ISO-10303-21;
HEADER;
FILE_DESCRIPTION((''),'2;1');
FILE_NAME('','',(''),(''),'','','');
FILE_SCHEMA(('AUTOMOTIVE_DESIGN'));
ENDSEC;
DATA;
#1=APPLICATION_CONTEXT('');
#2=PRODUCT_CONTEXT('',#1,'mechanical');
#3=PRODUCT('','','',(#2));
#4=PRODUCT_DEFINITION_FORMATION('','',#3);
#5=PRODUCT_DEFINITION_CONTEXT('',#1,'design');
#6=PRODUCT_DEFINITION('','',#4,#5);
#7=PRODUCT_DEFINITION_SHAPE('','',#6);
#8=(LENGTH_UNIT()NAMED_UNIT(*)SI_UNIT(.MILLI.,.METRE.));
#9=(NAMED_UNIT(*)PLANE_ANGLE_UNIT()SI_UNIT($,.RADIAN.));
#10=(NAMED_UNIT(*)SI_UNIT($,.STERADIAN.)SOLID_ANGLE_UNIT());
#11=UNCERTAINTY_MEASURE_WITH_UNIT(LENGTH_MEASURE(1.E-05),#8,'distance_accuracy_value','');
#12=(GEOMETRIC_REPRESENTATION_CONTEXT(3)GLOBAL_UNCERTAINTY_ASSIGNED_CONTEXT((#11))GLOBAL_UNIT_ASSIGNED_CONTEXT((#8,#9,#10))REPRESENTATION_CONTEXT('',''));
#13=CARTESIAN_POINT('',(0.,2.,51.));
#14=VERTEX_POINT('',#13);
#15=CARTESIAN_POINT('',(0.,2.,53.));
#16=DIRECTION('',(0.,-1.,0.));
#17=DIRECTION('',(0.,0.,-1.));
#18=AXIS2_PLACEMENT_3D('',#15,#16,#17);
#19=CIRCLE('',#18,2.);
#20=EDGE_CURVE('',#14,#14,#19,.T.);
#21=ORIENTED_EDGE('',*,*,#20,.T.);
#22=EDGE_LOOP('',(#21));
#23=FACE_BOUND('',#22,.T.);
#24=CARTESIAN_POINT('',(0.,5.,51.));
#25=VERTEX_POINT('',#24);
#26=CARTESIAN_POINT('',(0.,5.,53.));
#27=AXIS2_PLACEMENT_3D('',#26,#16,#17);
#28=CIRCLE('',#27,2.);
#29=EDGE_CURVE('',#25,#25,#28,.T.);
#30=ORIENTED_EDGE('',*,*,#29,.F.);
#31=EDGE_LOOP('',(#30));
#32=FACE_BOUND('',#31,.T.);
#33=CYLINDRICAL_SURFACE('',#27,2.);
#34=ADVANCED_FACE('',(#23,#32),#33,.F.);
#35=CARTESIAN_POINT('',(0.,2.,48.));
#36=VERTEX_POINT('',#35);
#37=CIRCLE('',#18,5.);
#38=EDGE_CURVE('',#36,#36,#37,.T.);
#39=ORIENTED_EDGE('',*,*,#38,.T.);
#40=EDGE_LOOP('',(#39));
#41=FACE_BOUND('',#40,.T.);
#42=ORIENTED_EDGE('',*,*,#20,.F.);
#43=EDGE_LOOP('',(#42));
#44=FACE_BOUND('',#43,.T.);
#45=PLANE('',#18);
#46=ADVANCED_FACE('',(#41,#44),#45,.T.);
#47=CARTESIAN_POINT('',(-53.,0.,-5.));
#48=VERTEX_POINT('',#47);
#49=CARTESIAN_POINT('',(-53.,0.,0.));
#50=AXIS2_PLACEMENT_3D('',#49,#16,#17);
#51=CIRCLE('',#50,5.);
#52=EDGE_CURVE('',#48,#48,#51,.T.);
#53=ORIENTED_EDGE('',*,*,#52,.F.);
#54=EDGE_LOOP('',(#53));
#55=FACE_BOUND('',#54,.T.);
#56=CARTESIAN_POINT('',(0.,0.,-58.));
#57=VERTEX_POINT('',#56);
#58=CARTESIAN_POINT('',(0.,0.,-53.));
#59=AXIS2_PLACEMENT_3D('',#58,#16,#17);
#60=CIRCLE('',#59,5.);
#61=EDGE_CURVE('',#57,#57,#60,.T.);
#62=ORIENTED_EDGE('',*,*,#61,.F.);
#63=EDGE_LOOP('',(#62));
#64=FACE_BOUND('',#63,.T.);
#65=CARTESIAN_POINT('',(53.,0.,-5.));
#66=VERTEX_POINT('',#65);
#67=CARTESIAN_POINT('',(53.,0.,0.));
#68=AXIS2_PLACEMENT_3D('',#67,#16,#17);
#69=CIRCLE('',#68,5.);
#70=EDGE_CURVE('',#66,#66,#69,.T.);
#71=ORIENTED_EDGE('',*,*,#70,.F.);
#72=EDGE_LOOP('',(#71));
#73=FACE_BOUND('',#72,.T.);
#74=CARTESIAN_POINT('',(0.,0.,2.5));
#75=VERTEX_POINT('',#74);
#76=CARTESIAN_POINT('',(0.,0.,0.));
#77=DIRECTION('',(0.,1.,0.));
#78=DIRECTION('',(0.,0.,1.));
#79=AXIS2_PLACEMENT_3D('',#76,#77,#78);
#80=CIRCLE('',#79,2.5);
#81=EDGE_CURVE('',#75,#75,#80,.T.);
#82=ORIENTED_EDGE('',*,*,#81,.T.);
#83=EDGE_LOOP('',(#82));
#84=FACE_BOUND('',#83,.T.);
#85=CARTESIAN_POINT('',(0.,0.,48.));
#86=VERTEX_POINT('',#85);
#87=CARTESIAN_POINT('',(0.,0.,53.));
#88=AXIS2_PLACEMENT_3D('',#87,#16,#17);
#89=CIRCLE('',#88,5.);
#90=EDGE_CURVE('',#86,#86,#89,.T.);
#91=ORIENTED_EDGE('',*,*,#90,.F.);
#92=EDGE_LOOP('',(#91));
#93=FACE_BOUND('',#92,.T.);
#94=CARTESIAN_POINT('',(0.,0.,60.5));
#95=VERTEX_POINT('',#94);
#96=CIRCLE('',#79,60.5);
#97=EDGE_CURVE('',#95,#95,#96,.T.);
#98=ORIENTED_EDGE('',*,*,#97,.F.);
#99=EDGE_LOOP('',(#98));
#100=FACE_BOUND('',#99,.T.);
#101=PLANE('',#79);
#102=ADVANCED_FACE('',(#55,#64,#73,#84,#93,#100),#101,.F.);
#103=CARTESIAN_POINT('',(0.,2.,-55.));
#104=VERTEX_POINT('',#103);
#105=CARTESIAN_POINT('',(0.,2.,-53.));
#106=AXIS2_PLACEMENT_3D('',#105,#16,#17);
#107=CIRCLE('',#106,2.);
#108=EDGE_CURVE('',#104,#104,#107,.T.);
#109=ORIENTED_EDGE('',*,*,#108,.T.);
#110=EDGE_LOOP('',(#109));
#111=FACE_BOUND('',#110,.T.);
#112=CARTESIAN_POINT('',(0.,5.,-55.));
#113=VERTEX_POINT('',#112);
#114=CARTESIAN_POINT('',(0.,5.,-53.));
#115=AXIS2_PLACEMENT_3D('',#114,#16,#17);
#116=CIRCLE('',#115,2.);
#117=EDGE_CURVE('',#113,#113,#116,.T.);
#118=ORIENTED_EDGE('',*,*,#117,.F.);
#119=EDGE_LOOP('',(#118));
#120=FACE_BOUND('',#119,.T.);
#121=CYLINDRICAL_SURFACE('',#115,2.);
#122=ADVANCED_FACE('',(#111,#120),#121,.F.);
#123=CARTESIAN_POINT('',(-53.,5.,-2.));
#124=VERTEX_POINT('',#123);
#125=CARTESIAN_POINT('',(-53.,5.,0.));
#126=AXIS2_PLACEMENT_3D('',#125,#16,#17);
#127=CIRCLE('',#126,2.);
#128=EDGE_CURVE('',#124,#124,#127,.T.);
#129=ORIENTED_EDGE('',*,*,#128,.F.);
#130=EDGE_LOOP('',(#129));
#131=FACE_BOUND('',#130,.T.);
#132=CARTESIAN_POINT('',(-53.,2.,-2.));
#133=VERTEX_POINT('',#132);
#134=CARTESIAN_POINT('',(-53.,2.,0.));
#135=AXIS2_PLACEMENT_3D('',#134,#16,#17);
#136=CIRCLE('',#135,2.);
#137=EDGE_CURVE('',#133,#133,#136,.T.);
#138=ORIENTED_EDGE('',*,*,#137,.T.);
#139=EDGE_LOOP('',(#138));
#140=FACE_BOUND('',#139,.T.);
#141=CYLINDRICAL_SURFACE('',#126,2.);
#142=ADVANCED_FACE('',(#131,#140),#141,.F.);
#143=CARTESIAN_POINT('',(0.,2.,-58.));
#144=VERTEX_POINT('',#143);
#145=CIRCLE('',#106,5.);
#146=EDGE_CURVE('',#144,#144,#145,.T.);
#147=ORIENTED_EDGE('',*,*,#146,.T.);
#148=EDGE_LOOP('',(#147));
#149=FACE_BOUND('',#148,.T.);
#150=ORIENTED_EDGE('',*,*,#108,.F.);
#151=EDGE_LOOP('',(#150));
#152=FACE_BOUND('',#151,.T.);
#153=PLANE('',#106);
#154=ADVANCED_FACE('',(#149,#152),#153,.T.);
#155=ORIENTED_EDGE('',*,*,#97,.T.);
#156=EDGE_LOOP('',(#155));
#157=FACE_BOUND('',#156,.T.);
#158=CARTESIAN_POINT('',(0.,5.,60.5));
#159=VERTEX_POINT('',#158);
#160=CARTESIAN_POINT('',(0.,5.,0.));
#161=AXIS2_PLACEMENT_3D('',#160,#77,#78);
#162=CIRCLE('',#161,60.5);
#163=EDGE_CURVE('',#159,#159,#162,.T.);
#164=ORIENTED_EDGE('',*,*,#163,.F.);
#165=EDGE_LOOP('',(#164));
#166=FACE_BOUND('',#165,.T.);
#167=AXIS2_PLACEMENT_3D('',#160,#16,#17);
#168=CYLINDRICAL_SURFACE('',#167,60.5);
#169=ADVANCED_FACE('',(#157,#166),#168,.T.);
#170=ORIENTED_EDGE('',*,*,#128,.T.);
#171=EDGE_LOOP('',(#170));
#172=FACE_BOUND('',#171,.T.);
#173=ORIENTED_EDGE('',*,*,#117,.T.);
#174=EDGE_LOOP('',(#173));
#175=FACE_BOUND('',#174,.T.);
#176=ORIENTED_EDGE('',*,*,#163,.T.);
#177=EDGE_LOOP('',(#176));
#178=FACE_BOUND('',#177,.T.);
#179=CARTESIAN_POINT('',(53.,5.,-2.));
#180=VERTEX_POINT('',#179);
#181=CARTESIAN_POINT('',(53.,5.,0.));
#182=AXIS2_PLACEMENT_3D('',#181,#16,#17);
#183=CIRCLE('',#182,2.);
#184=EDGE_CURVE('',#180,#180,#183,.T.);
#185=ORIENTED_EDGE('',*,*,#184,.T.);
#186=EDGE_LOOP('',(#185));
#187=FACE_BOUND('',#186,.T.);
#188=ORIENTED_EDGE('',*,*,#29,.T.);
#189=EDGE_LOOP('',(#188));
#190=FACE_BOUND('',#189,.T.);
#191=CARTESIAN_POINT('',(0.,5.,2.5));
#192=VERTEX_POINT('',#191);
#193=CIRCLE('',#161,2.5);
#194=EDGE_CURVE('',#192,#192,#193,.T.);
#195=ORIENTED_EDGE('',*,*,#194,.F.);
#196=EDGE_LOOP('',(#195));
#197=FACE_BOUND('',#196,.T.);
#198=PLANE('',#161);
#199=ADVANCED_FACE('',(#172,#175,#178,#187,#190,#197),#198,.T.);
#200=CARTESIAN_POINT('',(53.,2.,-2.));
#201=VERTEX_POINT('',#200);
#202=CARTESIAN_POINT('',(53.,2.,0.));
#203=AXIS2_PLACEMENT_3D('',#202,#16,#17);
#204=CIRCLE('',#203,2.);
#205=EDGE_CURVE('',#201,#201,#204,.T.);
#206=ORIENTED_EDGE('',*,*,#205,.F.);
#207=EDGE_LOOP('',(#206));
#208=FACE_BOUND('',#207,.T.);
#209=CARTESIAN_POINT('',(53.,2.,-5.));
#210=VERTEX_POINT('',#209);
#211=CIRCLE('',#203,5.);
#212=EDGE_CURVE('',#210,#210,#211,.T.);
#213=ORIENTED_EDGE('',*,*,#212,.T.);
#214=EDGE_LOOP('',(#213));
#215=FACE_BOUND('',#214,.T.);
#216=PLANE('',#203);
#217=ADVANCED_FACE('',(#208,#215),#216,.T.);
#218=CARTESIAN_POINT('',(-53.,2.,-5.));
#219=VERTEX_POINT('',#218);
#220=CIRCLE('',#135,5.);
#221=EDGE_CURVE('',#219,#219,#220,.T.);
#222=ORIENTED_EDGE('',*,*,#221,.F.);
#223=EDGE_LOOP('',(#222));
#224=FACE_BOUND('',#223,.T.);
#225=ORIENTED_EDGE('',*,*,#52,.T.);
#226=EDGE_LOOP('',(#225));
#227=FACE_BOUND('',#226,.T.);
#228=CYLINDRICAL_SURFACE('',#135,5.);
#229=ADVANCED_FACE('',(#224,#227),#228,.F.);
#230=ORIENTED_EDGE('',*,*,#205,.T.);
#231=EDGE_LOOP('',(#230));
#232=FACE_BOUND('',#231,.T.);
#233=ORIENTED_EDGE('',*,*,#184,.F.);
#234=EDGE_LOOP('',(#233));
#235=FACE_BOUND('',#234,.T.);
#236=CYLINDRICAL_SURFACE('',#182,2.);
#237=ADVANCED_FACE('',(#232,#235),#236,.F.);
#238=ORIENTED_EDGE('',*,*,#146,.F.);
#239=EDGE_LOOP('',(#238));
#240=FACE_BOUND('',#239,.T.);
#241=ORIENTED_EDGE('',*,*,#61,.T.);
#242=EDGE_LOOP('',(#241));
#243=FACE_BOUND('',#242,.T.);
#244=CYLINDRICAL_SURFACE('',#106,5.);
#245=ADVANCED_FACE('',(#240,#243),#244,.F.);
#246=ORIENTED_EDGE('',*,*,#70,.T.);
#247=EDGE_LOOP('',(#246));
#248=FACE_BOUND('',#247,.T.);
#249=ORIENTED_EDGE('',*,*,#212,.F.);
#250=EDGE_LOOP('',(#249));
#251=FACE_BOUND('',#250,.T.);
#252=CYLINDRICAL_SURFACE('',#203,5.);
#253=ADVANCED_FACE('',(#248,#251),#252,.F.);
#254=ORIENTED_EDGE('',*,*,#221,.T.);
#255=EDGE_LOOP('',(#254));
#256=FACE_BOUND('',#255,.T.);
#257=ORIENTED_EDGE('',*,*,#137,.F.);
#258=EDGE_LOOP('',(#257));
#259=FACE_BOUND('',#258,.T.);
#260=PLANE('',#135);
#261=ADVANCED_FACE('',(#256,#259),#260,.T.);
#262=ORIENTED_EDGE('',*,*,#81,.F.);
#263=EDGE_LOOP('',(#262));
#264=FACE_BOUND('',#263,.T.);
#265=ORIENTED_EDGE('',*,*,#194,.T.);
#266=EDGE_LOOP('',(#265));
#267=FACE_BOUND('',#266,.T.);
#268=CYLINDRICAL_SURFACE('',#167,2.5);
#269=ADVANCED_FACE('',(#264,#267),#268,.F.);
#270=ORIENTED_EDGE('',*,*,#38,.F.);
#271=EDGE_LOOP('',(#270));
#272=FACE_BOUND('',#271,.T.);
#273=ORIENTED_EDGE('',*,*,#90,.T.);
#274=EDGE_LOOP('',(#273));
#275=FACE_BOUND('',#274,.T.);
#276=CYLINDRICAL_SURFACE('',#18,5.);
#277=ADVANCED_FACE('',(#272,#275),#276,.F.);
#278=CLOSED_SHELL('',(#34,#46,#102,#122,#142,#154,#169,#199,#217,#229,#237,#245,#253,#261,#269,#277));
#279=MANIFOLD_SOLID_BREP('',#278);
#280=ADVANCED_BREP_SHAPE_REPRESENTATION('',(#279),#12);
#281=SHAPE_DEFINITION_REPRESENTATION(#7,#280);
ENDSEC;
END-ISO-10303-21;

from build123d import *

# Parameters (mm, degrees)
SKETCH1_R           = 60.5
SKETCH1_R_2         = 2.5
BOSS_EXTRUDE1_DEPTH = 5
SKETCH2_R           = 5
CUT_EXTRUDE1_DEPTH  = 2
SKETCH4_R           = 2
CUT_EXTRUDE2_DEPTH  = 86.612499087


with BuildPart() as part:
    # Sketch1 → Boss-Extrude1 (new body)
    with BuildSketch(Plane(origin=(0, 0, 0), x_dir=(1, 0, 0), z_dir=(0, 1, 0))):
        with Locations(Location((0, 0, 0), (0, 0, 270))):
            Circle(SKETCH1_R)
        with Locations(Location((0, 0, 0), (0, 0, 270))):
            Circle(SKETCH1_R_2, mode=Mode.SUBTRACT)
    extrude(amount=BOSS_EXTRUDE1_DEPTH)

    # Sketch2 → Cut-Extrude1 (cut)
    with BuildSketch(Plane.XZ):
        with Locations(Location((0, 53, 0), (0, 0, 270))):
            Circle(SKETCH2_R)
        with Locations(Location((53, 0, 0), (0, 0, 270))):
            Circle(SKETCH2_R)
        with Locations(Location((0, -53, 0), (0, 0, 270))):
            Circle(SKETCH2_R)
        with Locations(Location((-53, 0, 0), (0, 0, 270))):
            Circle(SKETCH2_R)
    extrude(amount=-CUT_EXTRUDE1_DEPTH, mode=Mode.SUBTRACT)

    # Sketch4 → Cut-Extrude2 (cut, through all)
    with BuildSketch(Plane(origin=(0, 2, 0), x_dir=(-1, 0, 0), z_dir=(0, -1, 0))):
        with Locations(Location((0, -53, 0), (0, 0, 90))):
            Circle(SKETCH4_R)
        with Locations(Location((-53, 0, 0), (0, 0, 90))):
            Circle(SKETCH4_R)
        with Locations(Location((0, 53, 0), (0, 0, 90))):
            Circle(SKETCH4_R)
        with Locations(Location((53, 0, 0), (0, 0, 90))):
            Circle(SKETCH4_R)
    extrude(amount=-CUT_EXTRUDE2_DEPTH, mode=Mode.SUBTRACT)


solid = part.part
